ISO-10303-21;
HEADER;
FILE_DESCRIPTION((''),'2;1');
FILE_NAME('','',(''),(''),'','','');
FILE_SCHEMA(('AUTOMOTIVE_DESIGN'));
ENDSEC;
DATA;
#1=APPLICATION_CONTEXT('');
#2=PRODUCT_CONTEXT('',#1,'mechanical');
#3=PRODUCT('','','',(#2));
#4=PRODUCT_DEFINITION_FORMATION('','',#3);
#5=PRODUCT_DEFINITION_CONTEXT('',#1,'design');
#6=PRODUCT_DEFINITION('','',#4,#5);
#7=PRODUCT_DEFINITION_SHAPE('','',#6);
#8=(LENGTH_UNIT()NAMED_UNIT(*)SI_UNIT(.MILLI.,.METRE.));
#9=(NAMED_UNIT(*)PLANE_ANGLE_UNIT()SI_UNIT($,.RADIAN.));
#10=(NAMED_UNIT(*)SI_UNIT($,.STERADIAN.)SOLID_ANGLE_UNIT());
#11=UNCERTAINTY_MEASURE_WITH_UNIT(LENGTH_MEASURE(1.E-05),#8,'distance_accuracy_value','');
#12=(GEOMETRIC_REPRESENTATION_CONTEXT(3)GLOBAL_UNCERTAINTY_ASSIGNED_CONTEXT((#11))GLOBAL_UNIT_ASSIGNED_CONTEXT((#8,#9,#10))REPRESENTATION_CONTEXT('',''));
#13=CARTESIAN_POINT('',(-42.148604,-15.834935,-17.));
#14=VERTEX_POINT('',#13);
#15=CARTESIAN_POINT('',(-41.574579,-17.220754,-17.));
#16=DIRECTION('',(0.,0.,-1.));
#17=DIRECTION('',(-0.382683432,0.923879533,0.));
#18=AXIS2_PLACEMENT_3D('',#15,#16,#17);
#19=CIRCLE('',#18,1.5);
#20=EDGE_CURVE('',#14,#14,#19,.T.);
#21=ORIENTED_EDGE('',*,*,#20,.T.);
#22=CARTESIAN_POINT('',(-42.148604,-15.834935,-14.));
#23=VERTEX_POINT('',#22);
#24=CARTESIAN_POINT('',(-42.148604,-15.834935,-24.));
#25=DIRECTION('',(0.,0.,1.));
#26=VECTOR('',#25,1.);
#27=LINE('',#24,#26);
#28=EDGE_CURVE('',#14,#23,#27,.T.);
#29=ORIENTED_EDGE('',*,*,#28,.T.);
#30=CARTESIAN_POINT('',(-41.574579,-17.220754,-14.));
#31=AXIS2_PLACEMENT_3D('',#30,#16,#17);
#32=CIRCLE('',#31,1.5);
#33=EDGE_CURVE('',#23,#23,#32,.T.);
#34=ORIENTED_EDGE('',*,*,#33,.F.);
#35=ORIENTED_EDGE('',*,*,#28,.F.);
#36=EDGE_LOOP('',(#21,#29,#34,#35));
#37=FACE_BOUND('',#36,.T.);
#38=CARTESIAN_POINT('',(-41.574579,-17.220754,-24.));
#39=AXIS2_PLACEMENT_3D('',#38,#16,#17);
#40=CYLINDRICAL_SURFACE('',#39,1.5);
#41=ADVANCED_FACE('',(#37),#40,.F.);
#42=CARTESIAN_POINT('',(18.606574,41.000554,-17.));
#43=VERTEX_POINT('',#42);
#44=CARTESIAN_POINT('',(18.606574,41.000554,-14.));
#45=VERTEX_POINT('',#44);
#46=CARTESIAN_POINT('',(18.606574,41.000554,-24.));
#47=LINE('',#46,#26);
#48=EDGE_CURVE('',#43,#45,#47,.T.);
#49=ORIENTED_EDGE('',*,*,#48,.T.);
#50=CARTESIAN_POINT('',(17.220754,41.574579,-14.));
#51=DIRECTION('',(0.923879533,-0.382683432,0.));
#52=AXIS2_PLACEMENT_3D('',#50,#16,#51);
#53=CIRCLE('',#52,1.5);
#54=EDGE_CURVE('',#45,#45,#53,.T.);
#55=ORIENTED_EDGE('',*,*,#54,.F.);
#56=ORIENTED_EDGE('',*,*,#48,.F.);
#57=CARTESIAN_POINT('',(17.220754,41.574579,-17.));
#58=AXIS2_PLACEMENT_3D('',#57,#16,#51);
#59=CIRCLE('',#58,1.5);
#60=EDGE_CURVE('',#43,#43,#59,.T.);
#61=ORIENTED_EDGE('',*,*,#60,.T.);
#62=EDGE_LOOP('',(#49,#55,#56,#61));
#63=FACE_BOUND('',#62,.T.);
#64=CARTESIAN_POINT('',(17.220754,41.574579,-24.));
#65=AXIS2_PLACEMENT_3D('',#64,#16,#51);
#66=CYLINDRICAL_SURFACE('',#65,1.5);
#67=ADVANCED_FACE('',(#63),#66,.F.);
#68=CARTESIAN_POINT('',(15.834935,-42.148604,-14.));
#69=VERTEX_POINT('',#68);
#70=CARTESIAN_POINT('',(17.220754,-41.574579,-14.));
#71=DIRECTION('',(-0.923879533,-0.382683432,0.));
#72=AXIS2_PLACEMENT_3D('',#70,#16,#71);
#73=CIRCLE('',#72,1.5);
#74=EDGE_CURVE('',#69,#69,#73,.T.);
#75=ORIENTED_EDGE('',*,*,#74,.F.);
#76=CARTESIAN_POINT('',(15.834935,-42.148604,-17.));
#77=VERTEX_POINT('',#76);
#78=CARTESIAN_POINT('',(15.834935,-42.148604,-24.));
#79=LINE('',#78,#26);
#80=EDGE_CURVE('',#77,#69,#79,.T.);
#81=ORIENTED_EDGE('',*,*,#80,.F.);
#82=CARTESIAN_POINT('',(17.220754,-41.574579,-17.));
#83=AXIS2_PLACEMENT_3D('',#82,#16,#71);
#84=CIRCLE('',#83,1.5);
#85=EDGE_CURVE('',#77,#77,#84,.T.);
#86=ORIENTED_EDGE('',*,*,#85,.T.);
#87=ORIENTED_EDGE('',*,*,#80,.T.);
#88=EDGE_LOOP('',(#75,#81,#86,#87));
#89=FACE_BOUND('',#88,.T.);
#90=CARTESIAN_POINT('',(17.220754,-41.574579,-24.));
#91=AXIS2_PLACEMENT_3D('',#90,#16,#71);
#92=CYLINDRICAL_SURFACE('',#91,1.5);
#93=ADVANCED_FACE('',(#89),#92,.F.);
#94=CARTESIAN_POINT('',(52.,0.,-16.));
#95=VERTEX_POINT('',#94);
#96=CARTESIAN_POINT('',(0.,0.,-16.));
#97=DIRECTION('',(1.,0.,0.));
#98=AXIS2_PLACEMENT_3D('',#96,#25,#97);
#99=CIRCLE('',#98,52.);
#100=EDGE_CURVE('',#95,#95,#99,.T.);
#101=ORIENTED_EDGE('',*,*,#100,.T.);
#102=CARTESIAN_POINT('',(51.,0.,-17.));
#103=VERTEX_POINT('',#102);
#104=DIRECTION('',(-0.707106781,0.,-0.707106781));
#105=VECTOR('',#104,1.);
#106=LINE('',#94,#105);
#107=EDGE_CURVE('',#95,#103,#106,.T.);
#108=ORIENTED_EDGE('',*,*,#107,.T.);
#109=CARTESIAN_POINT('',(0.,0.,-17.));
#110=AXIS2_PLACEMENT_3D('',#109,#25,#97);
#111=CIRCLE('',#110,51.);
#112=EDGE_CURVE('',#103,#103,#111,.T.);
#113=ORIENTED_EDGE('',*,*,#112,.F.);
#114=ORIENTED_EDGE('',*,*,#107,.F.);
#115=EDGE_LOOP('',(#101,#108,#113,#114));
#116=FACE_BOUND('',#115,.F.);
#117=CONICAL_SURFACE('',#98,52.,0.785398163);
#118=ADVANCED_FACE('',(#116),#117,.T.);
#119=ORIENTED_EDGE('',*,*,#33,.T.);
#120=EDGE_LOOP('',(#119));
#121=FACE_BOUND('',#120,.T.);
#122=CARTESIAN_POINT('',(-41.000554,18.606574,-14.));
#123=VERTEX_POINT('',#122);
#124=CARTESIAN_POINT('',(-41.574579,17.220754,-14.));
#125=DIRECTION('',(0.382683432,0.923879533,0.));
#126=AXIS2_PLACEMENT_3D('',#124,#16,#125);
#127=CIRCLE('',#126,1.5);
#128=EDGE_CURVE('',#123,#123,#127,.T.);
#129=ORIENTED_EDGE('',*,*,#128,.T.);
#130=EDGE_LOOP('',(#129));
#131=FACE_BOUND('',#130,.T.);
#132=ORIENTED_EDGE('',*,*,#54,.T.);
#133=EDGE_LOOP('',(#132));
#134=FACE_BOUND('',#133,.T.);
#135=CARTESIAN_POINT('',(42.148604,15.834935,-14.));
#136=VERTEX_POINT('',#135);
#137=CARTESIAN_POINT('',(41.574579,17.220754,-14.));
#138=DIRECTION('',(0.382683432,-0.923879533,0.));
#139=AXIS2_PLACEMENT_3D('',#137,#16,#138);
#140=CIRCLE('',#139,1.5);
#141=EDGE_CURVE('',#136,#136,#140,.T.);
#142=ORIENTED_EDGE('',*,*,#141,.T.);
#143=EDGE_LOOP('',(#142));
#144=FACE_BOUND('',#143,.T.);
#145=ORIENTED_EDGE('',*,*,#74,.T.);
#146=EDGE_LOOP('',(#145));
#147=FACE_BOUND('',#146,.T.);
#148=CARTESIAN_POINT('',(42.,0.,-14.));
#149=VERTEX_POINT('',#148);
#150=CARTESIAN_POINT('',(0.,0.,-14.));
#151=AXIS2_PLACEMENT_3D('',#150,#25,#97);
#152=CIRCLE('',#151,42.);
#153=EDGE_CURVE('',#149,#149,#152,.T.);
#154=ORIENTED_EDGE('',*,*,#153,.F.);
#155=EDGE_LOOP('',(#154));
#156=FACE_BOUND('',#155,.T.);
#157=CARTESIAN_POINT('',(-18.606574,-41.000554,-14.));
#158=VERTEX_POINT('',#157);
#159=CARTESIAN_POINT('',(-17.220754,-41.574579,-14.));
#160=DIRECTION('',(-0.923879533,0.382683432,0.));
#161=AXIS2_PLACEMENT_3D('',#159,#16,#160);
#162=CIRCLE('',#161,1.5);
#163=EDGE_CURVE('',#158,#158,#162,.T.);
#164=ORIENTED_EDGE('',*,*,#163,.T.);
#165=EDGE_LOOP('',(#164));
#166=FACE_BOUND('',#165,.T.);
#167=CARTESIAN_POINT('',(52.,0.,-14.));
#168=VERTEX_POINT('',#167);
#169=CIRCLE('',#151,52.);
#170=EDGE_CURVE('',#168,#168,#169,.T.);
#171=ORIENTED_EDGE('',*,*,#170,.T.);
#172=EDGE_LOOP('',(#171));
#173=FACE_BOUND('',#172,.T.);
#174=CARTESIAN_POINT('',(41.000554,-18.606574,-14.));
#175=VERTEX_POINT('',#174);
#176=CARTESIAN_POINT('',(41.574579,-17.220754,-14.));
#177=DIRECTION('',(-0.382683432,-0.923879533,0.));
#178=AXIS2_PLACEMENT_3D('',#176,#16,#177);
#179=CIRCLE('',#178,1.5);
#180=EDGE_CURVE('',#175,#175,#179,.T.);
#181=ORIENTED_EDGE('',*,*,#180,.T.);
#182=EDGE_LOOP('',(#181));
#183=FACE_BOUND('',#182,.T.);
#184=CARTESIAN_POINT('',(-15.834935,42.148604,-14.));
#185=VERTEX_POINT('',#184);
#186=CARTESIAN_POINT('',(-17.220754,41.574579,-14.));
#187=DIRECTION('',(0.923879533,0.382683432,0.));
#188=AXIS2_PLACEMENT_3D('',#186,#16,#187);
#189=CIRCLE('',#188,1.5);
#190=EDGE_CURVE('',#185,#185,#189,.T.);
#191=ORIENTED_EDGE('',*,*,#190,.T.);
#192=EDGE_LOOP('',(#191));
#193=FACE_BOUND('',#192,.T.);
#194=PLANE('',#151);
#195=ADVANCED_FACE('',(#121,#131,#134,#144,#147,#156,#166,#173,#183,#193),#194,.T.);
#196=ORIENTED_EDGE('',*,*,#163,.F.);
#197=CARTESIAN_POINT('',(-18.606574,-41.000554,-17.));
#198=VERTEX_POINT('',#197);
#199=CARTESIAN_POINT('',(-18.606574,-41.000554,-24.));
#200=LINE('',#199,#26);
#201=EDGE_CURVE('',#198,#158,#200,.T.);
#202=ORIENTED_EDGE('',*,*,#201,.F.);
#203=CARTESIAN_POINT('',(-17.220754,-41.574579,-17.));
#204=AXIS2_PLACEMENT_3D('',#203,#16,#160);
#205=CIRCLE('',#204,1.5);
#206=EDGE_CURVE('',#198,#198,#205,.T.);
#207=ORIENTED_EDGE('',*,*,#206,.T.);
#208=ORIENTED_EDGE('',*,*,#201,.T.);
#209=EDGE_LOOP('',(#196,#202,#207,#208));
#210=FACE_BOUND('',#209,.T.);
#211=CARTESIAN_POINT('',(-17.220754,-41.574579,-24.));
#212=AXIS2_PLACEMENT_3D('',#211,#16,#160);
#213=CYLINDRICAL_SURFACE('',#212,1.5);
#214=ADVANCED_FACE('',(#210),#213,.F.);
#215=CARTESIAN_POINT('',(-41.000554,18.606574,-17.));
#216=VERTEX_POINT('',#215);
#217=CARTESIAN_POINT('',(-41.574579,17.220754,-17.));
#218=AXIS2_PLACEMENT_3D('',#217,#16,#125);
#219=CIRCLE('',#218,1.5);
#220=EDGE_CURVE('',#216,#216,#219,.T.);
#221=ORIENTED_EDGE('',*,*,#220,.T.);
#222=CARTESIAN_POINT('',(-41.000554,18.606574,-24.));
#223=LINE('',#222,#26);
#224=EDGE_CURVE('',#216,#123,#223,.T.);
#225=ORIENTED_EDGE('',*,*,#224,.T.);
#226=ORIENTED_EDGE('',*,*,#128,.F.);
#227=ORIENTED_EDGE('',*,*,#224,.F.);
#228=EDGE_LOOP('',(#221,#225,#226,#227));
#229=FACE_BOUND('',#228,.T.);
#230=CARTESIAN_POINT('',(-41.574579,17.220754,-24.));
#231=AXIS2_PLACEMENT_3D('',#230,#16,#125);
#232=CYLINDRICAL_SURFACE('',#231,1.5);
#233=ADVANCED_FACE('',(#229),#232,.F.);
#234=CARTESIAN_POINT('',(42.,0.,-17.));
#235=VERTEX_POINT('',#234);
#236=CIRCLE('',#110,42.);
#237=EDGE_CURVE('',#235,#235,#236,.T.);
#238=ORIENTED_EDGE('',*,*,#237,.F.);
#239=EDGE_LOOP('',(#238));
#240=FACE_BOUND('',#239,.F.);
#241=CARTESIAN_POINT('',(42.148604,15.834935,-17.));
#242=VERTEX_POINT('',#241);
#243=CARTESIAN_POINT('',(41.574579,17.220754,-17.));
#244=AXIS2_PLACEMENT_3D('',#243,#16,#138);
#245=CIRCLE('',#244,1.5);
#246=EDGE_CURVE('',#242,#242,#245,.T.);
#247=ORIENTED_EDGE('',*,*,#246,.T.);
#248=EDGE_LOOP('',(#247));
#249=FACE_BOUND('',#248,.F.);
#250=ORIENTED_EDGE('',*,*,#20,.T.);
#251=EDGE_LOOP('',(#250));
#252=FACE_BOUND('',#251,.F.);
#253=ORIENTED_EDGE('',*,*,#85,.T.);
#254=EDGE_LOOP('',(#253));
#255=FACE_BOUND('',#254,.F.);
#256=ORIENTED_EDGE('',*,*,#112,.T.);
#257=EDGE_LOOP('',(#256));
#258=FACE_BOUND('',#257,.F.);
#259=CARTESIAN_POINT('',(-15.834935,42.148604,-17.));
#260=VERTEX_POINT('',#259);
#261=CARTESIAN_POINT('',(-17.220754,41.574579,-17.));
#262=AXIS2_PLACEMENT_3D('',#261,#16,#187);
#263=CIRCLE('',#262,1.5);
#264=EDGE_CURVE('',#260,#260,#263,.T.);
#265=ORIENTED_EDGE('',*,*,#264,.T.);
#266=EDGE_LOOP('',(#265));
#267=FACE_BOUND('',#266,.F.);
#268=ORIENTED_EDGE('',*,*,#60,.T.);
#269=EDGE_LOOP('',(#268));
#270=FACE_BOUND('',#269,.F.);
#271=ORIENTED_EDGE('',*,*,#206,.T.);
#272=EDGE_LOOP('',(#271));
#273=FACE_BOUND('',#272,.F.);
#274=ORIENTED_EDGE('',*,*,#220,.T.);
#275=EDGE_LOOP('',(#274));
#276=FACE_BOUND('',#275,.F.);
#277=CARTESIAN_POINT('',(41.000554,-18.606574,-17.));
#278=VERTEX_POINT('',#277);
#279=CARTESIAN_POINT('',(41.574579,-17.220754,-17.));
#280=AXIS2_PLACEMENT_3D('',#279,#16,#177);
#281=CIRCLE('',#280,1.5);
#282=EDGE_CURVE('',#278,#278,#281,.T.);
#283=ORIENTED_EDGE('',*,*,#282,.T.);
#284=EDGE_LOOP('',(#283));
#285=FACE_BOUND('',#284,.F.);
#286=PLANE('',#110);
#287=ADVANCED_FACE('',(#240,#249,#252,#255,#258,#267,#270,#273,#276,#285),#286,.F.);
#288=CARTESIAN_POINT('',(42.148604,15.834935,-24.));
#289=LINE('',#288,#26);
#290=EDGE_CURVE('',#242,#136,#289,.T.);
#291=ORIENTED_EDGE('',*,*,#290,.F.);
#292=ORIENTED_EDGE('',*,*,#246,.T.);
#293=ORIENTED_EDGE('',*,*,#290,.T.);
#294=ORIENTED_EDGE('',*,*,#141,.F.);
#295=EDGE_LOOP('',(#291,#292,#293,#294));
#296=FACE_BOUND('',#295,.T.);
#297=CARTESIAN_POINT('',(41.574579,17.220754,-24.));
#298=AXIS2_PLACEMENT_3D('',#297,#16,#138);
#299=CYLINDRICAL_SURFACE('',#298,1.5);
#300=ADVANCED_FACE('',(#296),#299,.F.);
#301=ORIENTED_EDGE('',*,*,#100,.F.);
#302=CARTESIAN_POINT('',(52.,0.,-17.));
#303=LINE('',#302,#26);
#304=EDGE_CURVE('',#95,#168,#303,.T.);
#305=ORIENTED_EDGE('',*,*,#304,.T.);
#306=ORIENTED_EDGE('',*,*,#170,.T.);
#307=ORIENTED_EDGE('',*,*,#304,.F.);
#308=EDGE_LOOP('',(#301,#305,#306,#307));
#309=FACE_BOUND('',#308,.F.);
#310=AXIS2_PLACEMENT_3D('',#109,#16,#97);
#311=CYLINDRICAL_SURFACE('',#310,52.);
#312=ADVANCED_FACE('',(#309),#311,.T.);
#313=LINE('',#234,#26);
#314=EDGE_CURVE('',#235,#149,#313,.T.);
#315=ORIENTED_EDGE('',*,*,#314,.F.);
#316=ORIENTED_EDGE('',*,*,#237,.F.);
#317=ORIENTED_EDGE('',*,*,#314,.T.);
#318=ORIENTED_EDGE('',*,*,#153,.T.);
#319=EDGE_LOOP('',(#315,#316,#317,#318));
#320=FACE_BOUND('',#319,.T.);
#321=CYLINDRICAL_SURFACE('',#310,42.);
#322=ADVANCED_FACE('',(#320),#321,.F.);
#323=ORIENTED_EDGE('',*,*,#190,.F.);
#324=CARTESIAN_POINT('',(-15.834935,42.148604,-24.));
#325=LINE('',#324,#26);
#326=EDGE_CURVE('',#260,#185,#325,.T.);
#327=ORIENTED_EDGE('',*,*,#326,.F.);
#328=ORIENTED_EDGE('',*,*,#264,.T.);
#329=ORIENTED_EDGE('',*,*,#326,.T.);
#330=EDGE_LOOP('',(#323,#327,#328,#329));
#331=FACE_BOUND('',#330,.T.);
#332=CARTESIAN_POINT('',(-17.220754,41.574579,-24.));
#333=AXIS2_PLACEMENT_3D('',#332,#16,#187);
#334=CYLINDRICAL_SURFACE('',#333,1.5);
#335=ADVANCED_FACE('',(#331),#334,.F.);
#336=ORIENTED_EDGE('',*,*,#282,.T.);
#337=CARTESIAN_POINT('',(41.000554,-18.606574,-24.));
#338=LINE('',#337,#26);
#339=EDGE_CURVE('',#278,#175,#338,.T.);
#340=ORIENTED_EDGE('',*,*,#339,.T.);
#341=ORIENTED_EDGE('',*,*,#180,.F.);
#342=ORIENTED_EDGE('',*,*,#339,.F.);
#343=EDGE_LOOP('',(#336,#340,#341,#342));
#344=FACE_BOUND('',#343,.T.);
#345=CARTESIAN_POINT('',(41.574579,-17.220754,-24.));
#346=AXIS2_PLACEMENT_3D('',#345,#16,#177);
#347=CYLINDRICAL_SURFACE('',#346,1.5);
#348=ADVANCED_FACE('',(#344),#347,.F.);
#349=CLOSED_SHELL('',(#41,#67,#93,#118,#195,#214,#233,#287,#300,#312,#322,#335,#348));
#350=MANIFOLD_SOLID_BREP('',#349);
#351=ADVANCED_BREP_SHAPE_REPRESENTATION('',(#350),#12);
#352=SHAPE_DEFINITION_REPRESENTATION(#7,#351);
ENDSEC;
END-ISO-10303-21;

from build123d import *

# Parameters (mm, degrees)
CYLINDER658_R               = 1.5
CYLINDER658_DEPTH           = 20
CYLINDER658_PLACEMENT_ANGLE = 45
CYLINDER659_R               = 1.5
CYLINDER659_DEPTH           = 20
CYLINDER652_R               = 1.5
CYLINDER652_DEPTH           = 20
CYLINDER652_PLACEMENT_ANGLE = 135
CYLINDER655_R               = 1.5
CYLINDER655_DEPTH           = 20
CYLINDER657_R               = 1.5
CYLINDER657_DEPTH           = 20
CYLINDER657_PLACEMENT_ANGLE = 225
CYLINDER654_R               = 1.5
CYLINDER654_DEPTH           = 20
CYLINDER656_R               = 1.5
CYLINDER656_DEPTH           = 20
CYLINDER656_PLACEMENT_ANGLE = 45
CYLINDER653_R               = 1.5
CYLINDER653_DEPTH           = 20
COMPOUND660_PLACEMENT_ANGLE = 22.5
TUBE040_R                   = 52
TUBE040_R_2                 = 42
TUBE040_DEPTH               = 3
CHAMFER018_SIZE             = 1


with BuildPart() as v_lec658:
    # Cylinder658 → Cylinder658 (new body)
    with BuildSketch(Plane.XY):
        Circle(CYLINDER658_R)
    extrude(amount=CYLINDER658_DEPTH)


with BuildPart() as v_lec658_1:
    # Cylinder658 placement: moved
    add(v_lec658.part.moved(Location((-31.819805, 31.819805, -18))).rotate(Axis((-31.819805, 31.819805, -18), (0, 0, 1)), CYLINDER658_PLACEMENT_ANGLE))


with BuildPart() as v_lec659:
    # Cylinder659 → Cylinder659 (new body)
    with BuildSketch(Plane(origin=(-45, 0, -18), x_dir=(0, 1, 0), z_dir=(0, 0, 1))):
        Circle(CYLINDER659_R)
    extrude(amount=CYLINDER659_DEPTH)


with BuildPart() as v_lec652:
    # Cylinder652 → Cylinder652 (new body)
    with BuildSketch(Plane.XY):
        Circle(CYLINDER652_R)
    extrude(amount=CYLINDER652_DEPTH)


with BuildPart() as v_lec652_1:
    # Cylinder652 placement: moved
    add(v_lec652.part.moved(Location((-31.819805, -31.819805, -18))).rotate(Axis((-31.819805, -31.819805, -18), (0, 0, 1)), CYLINDER652_PLACEMENT_ANGLE))


with BuildPart() as v_lec655:
    # Cylinder655 → Cylinder655 (new body)
    with BuildSketch(Plane(origin=(0, -45, -18), x_dir=(-1, 0, 0), z_dir=(0, 0, 1))):
        Circle(CYLINDER655_R)
    extrude(amount=CYLINDER655_DEPTH)


with BuildPart() as v_lec657:
    # Cylinder657 → Cylinder657 (new body)
    with BuildSketch(Plane.XY):
        Circle(CYLINDER657_R)
    extrude(amount=CYLINDER657_DEPTH)


with BuildPart() as v_lec657_1:
    # Cylinder657 placement: moved
    add(v_lec657.part.moved(Location((31.819805, -31.819805, -18))).rotate(Axis((31.819805, -31.819805, -18), (0, 0, 1)), CYLINDER657_PLACEMENT_ANGLE))


with BuildPart() as v_lec654:
    # Cylinder654 → Cylinder654 (new body)
    with BuildSketch(Plane(origin=(45, 0, -18), x_dir=(0, -1, 0), z_dir=(0, 0, 1))):
        Circle(CYLINDER654_R)
    extrude(amount=CYLINDER654_DEPTH)


with BuildPart() as v_lec656:
    # Cylinder656 → Cylinder656 (new body)
    with BuildSketch(Plane.XY):
        Circle(CYLINDER656_R)
    extrude(amount=CYLINDER656_DEPTH)


with BuildPart() as v_lec656_1:
    # Cylinder656 placement: moved
    add(v_lec656.part.moved(Location((31.819805, 31.819805, -18))).rotate(Axis((31.819805, 31.819805, -18), (0, 0, -1)), CYLINDER656_PLACEMENT_ANGLE))


with BuildPart() as compound660:
    # Cylinder653 → Cylinder653 (new body)
    with BuildSketch(Plane(origin=(0, 45, -18), x_dir=(1, 0, 0), z_dir=(0, 0, 1))):
        Circle(CYLINDER653_R)
    extrude(amount=CYLINDER653_DEPTH)

    # Compound660: union Válec658, Válec659, Válec652, Válec655, Válec657, Válec654, Válec656
    add(v_lec658_1.part)
    add(v_lec659.part)
    add(v_lec652_1.part)
    add(v_lec655.part)
    add(v_lec657_1.part)
    add(v_lec654.part)
    add(v_lec656_1.part)


with BuildPart() as compound660_1:
    # Compound660 placement: moved
    add(compound660.part.rotate(Axis((0, 0, 0), (0, 0, 1)), COMPOUND660_PLACEMENT_ANGLE))


with BuildPart() as j_max_encoder_belt_ring_a:
    # Tube040 → Tube040 (new body)
    with BuildSketch(Plane.XY.offset(-11)):
        Circle(TUBE040_R)
        Circle(TUBE040_R_2, mode=Mode.SUBTRACT)
    extrude(amount=TUBE040_DEPTH)

    # Cut507: cut Compound660
    add(compound660_1.part, mode=Mode.SUBTRACT)


with BuildPart() as j_max_encoder_belt_ring_a_1:
    # Cut507 placement: moved
    add(j_max_encoder_belt_ring_a.part.moved(Location((0, 0, -4))))

    # Chamfer018
    chamfer018_edges = [j_max_encoder_belt_ring_a_1.edges().sort_by_distance(p)[0] for p in [
        (-52, 0, -15),
    ]]
    chamfer(chamfer018_edges, length=CHAMFER018_SIZE)


with BuildPart() as j_max_encoder_belt_ring_a_2:
    # Chamfer018 placement: moved
    add(j_max_encoder_belt_ring_a_1.part.moved(Location((0, 0, -2))))


solid = j_max_encoder_belt_ring_a_2.part
